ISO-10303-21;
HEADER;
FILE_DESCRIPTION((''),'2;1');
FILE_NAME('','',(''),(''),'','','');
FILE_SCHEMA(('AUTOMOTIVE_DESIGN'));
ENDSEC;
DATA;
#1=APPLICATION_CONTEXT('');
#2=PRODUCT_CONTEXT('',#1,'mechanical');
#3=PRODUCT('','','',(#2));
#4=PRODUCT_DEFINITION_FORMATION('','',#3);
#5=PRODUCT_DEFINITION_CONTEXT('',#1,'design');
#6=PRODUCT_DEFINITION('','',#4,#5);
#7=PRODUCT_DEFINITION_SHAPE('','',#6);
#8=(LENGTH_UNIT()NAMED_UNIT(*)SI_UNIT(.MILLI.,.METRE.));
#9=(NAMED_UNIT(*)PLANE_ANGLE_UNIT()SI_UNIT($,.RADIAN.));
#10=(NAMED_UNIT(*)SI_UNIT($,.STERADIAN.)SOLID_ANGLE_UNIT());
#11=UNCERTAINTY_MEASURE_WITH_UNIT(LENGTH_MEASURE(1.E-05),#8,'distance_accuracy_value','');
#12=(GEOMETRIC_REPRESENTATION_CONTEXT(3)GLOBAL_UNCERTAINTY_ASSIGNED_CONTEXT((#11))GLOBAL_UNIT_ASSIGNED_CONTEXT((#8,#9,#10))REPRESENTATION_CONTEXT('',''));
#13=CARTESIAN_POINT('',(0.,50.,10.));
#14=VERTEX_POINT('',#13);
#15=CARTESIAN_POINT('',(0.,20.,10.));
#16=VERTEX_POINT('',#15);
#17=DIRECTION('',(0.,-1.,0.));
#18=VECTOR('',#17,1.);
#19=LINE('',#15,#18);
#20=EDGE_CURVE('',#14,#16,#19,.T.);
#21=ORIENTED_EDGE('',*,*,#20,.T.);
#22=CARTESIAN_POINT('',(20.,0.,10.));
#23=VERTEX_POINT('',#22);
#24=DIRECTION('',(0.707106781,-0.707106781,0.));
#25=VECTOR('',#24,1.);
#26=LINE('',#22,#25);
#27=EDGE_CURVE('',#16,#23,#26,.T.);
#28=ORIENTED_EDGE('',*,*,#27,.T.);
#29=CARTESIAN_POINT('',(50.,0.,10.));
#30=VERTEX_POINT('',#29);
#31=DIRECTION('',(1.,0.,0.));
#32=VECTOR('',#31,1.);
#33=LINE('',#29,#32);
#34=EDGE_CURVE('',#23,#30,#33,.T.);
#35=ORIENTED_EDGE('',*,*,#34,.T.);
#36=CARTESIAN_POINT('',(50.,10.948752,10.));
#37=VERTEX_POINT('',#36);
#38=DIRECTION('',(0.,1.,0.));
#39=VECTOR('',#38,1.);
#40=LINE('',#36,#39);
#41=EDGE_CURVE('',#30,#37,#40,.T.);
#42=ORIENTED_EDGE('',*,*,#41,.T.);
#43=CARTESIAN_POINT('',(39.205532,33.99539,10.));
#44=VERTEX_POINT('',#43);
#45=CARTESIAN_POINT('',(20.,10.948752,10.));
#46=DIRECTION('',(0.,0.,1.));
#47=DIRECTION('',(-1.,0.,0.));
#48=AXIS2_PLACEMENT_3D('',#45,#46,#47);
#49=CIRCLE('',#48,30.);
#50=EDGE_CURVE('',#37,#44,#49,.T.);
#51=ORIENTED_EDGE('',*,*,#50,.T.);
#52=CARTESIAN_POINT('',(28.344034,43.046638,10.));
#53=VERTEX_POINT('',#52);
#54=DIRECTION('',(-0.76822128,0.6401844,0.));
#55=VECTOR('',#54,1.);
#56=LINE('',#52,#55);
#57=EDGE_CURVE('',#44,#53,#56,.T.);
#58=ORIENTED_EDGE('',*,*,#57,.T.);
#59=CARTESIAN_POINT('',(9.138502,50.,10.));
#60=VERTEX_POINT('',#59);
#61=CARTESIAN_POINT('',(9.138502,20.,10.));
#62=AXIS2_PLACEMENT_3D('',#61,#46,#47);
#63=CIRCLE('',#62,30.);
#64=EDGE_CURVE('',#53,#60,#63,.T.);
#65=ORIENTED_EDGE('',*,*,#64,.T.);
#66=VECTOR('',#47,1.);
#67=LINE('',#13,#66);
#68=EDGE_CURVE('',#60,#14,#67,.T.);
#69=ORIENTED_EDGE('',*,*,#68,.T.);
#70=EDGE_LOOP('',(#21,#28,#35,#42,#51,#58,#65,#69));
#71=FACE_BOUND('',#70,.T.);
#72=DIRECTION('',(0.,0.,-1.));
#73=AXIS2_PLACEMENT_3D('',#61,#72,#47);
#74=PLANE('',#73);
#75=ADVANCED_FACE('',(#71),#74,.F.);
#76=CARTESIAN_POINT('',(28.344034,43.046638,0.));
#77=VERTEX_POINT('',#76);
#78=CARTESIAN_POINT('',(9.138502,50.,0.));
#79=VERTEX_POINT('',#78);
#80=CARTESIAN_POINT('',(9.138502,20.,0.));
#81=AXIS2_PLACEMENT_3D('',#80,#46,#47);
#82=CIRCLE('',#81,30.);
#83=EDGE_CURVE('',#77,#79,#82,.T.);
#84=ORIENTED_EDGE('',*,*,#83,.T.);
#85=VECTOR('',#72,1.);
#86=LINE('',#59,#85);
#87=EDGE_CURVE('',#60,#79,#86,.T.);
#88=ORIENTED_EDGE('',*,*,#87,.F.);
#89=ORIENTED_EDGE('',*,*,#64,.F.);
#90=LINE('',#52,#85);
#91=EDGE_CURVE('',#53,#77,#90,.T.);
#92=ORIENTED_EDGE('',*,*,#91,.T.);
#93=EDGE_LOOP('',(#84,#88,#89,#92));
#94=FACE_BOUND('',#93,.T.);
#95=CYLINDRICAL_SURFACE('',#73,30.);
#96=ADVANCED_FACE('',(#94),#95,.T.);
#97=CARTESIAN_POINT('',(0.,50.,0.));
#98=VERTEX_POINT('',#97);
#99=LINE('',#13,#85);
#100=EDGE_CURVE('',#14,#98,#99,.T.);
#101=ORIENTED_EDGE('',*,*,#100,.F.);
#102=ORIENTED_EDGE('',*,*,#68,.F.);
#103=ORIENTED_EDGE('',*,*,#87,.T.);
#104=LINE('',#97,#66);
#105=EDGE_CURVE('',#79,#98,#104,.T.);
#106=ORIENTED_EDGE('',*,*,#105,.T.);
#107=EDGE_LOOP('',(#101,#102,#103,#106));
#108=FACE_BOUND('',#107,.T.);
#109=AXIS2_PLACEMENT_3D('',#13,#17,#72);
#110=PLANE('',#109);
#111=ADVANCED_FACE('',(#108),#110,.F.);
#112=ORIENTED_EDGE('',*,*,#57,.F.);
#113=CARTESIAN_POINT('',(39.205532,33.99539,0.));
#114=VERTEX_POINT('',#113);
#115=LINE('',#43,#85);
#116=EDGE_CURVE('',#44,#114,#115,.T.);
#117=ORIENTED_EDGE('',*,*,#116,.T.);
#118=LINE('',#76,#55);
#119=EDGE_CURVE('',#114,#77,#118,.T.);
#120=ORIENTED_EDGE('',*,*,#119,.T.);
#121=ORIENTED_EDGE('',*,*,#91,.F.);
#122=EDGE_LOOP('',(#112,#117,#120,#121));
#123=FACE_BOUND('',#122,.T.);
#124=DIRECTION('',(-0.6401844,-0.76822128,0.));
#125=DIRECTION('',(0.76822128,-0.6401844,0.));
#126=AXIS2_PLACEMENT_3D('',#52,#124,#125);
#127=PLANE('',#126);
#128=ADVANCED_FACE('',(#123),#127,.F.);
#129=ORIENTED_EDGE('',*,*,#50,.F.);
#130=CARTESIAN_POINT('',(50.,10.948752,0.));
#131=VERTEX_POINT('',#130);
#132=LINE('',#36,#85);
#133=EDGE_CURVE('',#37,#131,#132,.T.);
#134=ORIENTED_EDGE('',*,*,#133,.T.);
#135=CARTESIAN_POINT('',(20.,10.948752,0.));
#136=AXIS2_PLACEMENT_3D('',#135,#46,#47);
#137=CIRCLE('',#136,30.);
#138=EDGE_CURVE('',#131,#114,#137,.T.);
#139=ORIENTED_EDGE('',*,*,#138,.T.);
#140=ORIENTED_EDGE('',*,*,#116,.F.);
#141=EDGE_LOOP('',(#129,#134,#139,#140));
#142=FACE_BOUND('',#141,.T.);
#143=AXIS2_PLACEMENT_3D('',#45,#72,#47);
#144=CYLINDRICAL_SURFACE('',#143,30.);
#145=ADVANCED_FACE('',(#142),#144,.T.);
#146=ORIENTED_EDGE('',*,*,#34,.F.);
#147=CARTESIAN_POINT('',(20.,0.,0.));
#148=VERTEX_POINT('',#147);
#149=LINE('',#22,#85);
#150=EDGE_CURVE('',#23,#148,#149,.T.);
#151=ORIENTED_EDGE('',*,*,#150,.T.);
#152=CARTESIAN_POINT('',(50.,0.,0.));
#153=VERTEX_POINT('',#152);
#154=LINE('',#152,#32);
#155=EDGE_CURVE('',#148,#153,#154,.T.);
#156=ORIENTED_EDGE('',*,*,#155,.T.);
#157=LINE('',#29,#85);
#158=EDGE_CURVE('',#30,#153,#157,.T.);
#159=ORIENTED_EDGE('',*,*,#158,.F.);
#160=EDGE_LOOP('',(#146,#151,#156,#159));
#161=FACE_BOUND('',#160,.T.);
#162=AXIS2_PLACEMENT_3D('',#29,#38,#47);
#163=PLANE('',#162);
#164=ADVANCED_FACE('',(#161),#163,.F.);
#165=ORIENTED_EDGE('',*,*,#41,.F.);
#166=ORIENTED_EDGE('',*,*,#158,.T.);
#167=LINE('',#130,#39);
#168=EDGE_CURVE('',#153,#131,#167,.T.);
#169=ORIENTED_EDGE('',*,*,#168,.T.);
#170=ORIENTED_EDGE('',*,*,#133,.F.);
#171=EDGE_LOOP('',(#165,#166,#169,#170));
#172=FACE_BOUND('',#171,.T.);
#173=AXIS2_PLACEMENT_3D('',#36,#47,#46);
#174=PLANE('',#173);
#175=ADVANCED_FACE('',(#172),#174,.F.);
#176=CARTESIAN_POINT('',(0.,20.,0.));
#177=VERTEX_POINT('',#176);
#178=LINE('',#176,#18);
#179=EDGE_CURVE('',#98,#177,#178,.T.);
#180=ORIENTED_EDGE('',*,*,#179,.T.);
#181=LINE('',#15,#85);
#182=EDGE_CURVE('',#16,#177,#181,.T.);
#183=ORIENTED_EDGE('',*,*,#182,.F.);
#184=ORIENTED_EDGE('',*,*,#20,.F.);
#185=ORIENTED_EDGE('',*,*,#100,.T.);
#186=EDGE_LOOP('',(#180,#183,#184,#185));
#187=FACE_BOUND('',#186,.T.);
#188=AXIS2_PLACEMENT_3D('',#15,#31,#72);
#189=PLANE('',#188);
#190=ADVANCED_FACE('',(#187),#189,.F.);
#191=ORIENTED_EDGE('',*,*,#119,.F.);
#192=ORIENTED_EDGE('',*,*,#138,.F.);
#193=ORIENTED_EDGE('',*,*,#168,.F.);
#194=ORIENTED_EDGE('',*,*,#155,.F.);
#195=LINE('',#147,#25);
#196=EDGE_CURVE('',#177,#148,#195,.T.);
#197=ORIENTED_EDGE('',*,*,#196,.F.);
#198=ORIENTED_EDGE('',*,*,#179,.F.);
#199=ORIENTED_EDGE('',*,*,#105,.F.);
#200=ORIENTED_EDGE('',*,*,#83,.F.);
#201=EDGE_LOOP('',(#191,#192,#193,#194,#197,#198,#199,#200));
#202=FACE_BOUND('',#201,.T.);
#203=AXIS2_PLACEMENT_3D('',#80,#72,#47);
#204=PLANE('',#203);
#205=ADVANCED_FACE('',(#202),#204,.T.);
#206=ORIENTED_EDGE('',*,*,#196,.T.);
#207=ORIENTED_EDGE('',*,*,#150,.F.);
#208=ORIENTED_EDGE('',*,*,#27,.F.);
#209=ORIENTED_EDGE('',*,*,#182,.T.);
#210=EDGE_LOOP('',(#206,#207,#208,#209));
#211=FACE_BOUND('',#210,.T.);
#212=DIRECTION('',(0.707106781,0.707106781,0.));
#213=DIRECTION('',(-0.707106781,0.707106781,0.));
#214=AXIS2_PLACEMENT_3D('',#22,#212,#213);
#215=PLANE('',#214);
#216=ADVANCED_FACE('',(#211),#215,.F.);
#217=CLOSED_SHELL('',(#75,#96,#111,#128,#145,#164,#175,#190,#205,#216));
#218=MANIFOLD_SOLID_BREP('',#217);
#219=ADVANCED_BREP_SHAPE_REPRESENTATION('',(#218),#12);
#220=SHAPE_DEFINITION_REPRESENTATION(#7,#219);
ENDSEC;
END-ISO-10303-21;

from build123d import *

# Parameters (mm, degrees)
BOSS_EXTRU_1_DEPTH = 10


with BuildPart() as part:
    # Esquisse1 → Boss.-Extru.1 (new body)
    with BuildSketch(Plane.XY):
        with BuildLine():
            Line((0, 20), (0, 50))
            Line((0, 50), (9.138501945, 50))
            ThreePointArc((9.138501945, 50), (19.351259857, 48.20814733), (28.344033934, 43.046638388))
            Line((28.344033934, 43.046638388), (39.20553199, 33.995390008))
            ThreePointArc((39.20553199, 33.995390008), (47.167682637, 23.673413508), (50, 10.94875162))
            Line((50, 10.94875162), (50, 0))
            Line((50, 0), (20, 0))
            Line((20, 0), (0, 20))
        make_face()
    extrude(amount=BOSS_EXTRU_1_DEPTH)


solid = part.part
